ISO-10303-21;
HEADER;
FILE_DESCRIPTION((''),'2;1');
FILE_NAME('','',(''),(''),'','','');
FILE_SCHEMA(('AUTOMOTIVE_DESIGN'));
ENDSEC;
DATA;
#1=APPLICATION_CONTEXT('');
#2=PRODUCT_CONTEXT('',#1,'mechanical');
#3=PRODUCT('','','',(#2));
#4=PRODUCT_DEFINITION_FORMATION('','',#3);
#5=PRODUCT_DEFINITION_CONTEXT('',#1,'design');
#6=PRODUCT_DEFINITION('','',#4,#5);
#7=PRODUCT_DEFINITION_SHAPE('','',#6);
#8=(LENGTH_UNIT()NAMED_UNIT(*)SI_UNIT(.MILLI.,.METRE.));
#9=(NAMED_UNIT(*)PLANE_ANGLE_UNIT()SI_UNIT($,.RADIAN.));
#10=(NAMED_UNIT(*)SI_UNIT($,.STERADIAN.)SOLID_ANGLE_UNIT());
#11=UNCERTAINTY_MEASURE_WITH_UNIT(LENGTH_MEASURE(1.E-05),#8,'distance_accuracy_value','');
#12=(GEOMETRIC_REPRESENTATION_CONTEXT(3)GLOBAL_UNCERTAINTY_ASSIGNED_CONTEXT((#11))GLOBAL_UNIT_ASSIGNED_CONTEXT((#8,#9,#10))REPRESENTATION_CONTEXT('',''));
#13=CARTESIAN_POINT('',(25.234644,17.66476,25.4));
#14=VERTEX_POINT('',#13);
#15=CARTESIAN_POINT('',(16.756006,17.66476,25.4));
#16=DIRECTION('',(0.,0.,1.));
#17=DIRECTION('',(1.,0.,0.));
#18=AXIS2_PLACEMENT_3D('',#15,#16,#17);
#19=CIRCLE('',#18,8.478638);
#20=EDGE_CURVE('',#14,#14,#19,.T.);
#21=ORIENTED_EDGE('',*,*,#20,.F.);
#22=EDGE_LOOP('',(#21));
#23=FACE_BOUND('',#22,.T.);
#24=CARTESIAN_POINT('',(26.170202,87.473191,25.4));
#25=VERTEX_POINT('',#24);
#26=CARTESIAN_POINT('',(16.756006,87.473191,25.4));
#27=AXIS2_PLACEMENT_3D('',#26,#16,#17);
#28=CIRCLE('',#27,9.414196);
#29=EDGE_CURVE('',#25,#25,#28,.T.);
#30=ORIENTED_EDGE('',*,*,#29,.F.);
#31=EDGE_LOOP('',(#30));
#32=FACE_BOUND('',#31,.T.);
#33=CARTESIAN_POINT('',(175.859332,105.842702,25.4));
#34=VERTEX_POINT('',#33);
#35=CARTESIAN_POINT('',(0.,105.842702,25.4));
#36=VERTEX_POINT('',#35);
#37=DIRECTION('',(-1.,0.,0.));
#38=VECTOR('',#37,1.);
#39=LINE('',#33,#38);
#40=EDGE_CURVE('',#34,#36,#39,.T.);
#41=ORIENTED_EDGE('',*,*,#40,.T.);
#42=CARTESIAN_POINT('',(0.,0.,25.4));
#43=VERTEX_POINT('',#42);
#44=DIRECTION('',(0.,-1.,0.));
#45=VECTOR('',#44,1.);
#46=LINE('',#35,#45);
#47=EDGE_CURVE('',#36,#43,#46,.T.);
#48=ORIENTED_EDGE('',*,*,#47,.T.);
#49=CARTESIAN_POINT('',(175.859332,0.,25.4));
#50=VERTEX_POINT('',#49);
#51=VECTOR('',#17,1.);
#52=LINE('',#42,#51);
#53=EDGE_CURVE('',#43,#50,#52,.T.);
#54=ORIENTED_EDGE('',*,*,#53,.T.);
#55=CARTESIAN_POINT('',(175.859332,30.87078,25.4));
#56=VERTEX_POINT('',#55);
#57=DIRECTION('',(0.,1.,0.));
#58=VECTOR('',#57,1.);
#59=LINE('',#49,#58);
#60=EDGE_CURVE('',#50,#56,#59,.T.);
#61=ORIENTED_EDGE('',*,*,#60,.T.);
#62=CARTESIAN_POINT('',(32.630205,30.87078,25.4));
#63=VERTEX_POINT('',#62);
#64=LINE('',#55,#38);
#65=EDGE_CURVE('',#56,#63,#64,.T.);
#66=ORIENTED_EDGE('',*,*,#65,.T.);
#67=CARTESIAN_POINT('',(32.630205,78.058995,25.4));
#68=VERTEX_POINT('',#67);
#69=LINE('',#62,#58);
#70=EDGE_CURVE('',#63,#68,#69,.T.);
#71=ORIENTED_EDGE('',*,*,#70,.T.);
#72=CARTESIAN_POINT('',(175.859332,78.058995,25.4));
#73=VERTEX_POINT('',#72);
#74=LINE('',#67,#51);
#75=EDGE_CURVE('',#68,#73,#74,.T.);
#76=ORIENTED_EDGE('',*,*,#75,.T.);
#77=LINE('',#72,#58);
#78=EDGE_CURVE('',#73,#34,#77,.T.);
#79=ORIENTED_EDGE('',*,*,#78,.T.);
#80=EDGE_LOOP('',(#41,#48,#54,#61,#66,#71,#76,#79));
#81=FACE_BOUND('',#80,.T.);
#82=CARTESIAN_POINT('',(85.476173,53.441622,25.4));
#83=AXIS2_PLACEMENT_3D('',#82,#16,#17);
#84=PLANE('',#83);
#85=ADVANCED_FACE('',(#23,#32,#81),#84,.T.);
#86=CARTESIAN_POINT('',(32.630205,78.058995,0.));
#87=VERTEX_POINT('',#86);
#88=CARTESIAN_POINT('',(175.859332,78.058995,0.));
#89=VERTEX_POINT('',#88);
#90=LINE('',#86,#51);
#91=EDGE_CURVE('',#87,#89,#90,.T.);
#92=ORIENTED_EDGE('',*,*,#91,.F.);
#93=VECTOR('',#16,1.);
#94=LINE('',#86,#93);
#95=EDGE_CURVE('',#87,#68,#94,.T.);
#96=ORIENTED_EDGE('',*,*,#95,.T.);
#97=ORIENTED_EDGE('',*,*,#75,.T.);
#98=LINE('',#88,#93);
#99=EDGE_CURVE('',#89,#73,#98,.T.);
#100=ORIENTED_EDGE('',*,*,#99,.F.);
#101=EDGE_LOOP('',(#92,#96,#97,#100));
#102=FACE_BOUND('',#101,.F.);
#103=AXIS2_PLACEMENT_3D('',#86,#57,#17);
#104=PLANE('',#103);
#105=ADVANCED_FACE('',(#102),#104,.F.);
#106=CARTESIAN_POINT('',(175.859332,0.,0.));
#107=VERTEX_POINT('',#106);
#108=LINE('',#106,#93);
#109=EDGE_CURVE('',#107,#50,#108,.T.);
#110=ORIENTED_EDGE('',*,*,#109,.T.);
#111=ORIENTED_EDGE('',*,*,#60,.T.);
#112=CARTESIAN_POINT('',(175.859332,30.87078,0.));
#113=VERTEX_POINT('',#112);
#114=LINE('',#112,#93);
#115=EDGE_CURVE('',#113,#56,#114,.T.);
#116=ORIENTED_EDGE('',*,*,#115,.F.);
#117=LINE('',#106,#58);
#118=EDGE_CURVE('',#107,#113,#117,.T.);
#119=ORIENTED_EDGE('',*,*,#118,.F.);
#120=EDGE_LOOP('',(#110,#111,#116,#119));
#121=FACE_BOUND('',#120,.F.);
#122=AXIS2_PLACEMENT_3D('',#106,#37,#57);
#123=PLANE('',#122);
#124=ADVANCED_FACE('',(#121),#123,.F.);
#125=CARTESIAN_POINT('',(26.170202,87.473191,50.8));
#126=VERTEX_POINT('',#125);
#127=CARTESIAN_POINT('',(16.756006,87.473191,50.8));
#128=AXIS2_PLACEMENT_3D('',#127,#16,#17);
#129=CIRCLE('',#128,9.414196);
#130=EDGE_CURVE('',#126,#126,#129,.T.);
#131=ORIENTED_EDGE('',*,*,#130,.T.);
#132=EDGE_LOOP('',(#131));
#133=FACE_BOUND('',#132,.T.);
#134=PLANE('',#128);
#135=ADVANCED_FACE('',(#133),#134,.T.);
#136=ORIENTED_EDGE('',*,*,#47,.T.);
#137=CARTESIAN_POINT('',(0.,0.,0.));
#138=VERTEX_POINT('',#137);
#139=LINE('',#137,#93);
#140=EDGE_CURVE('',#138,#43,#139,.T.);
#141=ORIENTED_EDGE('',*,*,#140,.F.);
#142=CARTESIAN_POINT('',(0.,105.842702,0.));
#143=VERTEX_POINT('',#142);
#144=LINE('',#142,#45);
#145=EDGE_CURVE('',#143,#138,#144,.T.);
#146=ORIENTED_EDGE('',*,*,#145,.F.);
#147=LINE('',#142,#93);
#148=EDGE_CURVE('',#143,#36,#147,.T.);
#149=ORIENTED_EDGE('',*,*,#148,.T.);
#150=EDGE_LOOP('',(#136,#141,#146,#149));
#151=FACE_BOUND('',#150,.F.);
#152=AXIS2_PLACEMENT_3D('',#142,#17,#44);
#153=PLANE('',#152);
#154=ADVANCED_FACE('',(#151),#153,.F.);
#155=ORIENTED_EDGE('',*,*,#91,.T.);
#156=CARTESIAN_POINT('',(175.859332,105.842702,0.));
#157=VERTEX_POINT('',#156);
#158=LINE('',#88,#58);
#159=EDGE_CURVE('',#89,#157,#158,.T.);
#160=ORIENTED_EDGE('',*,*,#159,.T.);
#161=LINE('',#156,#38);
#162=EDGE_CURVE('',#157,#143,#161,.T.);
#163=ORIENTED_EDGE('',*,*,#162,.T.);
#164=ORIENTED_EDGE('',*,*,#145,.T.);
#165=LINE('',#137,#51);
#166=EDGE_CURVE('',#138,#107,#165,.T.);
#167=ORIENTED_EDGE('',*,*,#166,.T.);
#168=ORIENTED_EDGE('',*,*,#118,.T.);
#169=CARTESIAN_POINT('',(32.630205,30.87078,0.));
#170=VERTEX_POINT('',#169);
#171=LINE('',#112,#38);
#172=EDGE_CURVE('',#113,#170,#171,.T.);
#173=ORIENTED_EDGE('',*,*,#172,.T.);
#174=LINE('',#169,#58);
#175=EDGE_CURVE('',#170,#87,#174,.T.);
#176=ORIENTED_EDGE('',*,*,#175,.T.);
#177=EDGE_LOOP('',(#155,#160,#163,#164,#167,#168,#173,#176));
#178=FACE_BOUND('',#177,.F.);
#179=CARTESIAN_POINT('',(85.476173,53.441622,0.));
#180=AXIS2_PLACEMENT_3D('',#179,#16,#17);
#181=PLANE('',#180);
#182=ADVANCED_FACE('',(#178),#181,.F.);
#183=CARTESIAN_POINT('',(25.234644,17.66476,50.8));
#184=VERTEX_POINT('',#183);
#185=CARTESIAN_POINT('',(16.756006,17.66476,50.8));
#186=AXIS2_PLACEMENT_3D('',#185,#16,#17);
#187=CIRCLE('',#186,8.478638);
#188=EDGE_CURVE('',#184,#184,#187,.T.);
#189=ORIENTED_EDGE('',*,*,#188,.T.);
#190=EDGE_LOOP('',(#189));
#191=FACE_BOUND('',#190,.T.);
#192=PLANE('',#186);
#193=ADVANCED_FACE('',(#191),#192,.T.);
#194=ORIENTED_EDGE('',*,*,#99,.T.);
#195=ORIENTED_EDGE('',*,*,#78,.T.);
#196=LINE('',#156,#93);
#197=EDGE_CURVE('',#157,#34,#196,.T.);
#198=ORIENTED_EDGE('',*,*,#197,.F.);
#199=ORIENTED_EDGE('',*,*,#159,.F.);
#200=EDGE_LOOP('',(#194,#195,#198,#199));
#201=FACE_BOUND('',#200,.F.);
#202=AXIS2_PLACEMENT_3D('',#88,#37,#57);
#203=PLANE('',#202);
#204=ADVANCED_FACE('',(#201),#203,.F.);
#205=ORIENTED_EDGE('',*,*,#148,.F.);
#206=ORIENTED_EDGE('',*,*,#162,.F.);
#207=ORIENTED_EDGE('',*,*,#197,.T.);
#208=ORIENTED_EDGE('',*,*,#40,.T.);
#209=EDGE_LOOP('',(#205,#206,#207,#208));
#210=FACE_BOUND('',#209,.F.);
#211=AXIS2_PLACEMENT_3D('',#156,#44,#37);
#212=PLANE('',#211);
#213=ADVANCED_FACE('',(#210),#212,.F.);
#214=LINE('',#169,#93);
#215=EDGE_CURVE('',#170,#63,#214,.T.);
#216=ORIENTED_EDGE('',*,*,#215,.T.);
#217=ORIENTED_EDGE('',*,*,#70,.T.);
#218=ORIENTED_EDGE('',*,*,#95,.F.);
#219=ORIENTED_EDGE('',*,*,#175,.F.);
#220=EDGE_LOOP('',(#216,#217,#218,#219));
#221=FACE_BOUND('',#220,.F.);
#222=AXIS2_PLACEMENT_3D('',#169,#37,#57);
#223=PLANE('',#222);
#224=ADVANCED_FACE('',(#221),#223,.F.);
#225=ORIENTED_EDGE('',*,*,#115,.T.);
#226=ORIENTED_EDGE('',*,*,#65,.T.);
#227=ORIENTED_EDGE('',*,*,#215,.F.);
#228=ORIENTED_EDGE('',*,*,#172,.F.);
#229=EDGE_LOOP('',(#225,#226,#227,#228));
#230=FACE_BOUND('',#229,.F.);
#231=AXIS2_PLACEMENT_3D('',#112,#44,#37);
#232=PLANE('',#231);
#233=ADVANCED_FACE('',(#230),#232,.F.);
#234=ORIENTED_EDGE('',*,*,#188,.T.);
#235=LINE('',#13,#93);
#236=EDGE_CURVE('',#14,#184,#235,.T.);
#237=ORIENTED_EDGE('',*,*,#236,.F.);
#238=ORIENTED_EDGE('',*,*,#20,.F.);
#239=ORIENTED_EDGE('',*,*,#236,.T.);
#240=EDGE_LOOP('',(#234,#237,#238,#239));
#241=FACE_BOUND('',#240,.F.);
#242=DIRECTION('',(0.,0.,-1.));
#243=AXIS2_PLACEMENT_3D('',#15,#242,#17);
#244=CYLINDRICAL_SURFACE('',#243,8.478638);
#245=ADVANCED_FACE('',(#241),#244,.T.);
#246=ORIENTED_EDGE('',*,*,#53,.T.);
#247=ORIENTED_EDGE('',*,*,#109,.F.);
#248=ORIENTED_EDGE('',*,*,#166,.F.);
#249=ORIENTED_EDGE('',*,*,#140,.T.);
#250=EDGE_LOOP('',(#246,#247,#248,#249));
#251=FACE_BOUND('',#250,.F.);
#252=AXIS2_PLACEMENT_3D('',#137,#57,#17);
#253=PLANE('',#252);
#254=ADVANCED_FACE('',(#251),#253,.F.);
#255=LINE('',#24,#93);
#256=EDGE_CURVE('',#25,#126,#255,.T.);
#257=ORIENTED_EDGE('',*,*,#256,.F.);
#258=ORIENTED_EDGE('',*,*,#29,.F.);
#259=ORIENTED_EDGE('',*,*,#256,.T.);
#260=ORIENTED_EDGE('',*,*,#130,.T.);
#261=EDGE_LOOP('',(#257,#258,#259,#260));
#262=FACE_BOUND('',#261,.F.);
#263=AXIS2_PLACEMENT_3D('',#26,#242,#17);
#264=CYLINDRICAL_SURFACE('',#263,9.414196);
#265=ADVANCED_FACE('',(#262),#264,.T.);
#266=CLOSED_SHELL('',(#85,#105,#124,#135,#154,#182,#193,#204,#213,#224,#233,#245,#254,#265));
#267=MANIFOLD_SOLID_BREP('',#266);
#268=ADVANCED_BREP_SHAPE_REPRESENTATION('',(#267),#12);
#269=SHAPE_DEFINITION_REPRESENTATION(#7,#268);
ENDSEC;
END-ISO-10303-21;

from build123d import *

# Parameters (mm, degrees)
F1_DEPTH = 25.4
F2_R     = 9.414196
F2_R_2   = 8.478638
F3_DEPTH = 25.4


with BuildPart() as f1:
    # F0 (on Top) → F1 (new body)
    with BuildSketch(Plane.XY):
        Polygon((0, 105.842702), (0, 0), (175.859332, 0), (175.859332, 30.87078), (32.630205, 30.87078), (32.630205, 78.058995), (175.859332, 78.058995), (175.859332, 105.842702), align=None)
    extrude(amount=F1_DEPTH)

    # F2 (on face) → F3 (join)
    with BuildSketch(Plane.XY.offset(25.4)):
        with Locations((16.756006, 87.473191)):
            Circle(F2_R)
        with Locations((16.756006, 17.66476)):
            Circle(F2_R_2)
    extrude(amount=F3_DEPTH)


solid = f1.part
